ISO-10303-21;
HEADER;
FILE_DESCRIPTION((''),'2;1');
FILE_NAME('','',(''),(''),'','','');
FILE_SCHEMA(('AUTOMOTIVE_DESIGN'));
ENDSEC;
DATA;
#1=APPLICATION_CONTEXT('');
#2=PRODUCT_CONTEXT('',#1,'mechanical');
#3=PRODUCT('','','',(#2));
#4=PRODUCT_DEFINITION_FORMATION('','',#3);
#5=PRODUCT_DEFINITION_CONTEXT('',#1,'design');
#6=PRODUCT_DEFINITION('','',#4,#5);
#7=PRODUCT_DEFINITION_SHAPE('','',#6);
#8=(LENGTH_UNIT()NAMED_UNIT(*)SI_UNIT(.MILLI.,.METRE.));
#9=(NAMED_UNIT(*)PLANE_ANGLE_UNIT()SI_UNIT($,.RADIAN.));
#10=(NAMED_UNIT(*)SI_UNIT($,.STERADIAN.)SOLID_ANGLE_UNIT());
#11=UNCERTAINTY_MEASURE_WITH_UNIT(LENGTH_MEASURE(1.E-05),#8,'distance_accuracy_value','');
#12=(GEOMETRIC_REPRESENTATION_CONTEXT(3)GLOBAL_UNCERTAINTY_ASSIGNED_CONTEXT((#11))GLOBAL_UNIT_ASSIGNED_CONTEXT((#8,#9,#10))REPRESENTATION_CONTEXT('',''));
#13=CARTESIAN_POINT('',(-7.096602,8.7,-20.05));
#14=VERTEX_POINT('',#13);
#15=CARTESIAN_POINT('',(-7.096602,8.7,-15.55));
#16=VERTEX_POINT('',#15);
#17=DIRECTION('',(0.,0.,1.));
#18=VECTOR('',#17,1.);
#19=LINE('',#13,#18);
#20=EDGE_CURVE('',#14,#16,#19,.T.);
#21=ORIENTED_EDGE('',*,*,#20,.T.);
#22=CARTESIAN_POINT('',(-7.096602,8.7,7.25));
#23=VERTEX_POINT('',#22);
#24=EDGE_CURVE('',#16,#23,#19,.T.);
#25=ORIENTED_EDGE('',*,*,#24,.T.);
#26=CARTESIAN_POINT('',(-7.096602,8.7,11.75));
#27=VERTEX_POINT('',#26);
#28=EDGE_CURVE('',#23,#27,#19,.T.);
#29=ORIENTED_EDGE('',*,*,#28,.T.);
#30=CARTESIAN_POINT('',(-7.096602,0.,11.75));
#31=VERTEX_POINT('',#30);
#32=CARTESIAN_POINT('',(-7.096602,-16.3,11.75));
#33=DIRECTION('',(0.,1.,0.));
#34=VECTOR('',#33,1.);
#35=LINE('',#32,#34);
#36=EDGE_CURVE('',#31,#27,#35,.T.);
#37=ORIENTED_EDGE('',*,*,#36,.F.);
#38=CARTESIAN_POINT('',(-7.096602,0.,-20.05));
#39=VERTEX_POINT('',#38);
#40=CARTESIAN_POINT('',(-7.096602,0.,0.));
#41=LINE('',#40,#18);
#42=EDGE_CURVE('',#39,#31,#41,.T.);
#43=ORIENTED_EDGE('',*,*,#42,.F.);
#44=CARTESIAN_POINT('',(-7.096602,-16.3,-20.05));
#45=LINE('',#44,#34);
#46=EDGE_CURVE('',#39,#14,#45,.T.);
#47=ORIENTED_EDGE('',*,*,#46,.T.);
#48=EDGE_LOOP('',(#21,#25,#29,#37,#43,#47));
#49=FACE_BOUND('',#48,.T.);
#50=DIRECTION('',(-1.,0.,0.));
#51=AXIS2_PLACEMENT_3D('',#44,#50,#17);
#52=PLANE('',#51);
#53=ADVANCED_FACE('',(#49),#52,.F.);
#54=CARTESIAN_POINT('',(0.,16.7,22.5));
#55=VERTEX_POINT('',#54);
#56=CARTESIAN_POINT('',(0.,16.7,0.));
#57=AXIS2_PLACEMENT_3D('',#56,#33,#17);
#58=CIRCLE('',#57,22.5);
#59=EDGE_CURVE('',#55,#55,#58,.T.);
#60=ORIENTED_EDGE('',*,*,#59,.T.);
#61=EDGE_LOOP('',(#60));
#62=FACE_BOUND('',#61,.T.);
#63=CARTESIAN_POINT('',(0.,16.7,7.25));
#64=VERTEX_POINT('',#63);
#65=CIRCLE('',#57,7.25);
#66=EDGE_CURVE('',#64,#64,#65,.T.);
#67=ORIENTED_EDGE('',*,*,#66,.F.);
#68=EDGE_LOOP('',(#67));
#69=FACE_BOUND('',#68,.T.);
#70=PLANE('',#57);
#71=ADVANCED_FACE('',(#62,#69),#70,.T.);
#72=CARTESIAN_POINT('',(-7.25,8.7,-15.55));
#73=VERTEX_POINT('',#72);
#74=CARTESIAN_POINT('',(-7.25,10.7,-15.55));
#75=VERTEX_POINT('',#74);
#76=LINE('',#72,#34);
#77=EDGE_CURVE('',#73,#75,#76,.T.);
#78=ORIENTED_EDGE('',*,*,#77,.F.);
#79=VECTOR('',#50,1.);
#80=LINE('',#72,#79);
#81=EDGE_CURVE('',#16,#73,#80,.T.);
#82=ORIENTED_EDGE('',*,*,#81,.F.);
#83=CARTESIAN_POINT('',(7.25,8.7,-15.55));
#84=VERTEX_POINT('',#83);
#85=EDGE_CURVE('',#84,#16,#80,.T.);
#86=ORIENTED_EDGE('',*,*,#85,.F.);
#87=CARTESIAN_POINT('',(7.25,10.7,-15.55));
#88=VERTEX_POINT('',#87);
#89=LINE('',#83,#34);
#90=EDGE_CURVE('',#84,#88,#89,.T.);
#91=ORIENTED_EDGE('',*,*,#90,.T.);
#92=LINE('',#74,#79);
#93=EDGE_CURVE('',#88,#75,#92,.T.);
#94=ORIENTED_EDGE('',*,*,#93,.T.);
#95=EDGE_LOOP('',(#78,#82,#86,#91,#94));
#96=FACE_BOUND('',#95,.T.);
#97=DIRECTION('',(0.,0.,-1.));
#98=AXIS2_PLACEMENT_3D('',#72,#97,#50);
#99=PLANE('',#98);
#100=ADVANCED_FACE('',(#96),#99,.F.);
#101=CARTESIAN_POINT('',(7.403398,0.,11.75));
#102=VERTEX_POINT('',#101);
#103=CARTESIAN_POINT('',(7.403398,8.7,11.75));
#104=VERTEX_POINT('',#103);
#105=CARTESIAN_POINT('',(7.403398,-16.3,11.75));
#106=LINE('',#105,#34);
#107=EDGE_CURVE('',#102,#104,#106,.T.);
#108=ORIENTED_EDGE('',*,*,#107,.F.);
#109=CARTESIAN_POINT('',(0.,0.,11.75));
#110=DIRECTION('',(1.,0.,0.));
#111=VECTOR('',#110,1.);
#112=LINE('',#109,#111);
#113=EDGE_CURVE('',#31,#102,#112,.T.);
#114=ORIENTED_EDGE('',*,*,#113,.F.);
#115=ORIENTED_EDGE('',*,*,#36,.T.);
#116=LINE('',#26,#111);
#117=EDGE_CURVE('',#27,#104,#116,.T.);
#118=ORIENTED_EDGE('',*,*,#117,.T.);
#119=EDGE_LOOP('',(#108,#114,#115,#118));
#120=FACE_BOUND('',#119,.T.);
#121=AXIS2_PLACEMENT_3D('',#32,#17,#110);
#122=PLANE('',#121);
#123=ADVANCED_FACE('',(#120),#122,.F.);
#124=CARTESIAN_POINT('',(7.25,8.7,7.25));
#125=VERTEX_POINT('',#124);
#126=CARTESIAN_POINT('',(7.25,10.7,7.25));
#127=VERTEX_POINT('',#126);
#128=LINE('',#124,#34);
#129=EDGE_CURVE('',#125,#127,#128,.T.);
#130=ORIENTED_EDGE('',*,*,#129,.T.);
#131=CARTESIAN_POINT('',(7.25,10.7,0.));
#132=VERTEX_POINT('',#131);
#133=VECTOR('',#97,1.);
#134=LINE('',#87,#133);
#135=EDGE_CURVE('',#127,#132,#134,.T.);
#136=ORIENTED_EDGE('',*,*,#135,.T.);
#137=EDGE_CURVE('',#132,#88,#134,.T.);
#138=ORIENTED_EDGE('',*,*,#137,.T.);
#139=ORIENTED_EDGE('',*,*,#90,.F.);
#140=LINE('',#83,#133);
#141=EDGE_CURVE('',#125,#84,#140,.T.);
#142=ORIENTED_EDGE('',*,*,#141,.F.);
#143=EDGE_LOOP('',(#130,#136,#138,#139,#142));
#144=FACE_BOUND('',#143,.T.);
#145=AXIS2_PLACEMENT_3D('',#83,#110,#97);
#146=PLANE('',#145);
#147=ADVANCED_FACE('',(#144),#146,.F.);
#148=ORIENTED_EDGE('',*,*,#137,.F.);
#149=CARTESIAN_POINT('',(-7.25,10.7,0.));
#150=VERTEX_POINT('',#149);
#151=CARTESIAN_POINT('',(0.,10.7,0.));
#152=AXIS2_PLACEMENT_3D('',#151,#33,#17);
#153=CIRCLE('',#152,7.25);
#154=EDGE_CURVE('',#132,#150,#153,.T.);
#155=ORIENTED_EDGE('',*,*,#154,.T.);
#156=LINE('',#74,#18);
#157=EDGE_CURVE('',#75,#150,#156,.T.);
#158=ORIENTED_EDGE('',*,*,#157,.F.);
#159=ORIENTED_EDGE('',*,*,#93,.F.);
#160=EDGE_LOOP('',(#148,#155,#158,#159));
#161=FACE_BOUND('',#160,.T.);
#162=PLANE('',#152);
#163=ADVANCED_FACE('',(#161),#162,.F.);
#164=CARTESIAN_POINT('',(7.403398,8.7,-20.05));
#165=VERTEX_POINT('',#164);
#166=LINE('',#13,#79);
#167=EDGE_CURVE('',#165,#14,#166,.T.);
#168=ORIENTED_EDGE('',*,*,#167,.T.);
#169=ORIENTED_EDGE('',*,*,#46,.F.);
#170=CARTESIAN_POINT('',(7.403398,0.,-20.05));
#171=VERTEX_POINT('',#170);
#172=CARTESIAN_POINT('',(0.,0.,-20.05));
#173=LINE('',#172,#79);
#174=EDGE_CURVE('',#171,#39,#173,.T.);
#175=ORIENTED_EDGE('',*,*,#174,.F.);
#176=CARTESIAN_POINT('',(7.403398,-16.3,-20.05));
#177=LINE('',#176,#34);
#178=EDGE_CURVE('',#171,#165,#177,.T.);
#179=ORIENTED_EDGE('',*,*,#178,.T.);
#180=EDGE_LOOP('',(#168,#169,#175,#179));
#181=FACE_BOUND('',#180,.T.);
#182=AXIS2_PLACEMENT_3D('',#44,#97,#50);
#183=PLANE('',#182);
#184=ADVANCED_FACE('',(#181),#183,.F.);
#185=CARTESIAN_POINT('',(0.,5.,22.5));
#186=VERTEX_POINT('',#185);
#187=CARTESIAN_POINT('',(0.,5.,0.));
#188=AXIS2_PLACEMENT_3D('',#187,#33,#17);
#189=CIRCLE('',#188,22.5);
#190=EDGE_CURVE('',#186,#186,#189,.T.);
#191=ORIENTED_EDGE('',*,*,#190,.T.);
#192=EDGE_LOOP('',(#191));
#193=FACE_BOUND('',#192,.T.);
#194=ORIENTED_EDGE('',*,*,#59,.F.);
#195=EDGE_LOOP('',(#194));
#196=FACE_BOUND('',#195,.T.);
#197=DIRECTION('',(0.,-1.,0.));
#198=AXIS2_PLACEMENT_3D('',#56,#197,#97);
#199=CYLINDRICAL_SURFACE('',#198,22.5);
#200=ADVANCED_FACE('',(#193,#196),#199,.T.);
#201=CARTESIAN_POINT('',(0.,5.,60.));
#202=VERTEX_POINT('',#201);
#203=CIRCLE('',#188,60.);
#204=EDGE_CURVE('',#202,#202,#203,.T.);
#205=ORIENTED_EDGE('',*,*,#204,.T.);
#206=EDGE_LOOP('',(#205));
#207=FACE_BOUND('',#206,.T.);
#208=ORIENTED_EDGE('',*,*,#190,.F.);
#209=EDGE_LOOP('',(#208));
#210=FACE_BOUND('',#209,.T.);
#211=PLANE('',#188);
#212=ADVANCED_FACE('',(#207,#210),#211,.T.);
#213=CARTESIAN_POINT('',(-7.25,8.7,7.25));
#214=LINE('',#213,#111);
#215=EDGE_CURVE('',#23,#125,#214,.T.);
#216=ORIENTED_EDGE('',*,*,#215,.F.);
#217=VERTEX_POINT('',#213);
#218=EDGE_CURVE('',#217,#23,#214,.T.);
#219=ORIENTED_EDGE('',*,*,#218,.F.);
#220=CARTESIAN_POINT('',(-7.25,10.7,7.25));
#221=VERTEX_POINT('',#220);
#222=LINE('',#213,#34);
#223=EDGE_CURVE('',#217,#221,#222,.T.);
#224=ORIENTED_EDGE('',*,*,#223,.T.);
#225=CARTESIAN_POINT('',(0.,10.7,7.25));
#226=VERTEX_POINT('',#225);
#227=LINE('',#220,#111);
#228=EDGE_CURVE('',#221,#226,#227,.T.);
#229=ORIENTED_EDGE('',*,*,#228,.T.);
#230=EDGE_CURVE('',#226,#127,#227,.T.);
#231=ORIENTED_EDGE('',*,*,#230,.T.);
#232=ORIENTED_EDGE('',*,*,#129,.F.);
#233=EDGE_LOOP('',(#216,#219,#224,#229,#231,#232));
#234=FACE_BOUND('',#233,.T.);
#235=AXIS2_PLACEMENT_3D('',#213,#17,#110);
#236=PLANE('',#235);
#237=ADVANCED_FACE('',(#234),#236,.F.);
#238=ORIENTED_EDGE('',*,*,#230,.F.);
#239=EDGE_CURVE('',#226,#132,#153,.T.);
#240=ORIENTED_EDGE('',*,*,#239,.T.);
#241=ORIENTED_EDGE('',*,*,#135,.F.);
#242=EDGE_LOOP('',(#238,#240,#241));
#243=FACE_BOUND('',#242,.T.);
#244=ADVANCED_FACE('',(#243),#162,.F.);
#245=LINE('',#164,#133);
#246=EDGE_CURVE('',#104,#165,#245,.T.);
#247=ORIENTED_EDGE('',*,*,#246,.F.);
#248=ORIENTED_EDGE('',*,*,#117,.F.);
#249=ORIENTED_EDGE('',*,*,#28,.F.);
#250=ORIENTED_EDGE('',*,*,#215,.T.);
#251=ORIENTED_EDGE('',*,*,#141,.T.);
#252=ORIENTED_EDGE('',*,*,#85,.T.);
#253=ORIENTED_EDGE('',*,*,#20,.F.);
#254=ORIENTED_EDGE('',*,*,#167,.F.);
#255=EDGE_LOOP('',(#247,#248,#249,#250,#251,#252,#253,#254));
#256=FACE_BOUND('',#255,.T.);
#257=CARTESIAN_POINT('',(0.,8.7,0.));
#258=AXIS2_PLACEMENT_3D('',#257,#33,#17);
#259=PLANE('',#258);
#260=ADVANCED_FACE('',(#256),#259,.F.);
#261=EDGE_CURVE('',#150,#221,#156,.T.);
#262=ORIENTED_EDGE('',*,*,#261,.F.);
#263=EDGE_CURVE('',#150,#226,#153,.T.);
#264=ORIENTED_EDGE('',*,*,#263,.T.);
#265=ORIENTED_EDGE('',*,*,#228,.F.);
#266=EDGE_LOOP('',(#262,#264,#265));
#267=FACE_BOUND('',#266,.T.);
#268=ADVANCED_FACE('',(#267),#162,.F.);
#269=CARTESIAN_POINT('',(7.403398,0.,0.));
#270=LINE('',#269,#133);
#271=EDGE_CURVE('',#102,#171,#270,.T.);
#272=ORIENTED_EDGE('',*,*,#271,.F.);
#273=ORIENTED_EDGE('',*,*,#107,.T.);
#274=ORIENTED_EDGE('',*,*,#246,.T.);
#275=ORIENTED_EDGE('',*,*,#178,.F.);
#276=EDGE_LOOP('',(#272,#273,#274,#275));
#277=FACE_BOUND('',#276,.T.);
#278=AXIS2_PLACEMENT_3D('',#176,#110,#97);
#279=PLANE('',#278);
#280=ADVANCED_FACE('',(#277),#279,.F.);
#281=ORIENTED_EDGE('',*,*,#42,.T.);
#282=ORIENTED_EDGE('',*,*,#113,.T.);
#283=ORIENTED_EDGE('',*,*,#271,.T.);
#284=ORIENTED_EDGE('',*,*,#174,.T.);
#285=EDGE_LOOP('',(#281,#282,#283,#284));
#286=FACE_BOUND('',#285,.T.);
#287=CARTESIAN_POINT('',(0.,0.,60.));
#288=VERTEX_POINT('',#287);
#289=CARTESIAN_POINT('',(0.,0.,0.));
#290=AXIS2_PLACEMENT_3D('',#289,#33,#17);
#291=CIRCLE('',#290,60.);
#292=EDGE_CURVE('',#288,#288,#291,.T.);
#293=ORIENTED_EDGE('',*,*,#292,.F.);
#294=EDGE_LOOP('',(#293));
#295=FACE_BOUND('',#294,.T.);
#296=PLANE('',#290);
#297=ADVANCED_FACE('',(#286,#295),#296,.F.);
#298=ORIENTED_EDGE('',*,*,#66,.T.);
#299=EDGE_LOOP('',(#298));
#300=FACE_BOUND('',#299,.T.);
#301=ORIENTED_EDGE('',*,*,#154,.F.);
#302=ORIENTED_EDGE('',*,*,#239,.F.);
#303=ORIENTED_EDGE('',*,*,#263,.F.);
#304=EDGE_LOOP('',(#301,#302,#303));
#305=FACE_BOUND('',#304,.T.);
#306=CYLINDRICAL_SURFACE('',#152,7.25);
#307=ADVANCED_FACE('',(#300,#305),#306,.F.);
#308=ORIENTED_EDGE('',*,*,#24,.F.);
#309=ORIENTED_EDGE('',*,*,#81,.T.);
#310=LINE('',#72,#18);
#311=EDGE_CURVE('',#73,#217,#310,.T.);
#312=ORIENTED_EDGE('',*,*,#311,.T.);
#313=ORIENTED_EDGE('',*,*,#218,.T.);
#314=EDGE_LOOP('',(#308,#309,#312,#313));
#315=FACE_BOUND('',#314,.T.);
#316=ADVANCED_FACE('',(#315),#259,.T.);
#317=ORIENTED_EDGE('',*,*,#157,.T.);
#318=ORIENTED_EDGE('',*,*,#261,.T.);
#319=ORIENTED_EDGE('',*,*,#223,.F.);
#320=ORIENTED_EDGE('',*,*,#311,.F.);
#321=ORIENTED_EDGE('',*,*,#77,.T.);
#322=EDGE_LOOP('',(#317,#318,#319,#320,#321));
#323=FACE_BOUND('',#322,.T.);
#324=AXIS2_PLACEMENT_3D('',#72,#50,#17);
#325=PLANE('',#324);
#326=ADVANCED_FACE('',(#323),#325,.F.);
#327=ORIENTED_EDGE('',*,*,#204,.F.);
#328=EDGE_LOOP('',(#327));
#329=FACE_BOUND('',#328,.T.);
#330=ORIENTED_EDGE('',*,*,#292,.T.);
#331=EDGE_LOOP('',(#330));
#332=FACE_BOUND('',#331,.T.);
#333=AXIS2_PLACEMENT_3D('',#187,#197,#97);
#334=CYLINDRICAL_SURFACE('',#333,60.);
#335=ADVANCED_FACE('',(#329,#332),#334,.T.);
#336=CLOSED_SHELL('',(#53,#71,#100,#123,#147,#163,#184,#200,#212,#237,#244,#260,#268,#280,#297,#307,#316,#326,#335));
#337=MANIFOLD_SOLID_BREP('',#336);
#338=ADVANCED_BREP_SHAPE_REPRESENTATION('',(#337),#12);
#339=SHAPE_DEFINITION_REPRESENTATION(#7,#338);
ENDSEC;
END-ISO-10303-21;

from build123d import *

# Parameters (mm, degrees)
SKETCH1_R           = 60
BOSS_EXTRUDE1_DEPTH = 5
SKETCH2_R           = 22.5
BOSS_EXTRUDE3_DEPTH = 11.7
SKETCH6_R           = 7.25
CUT_EXTRUDE4_DEPTH  = 6
SKETCH7_W           = 14.5
SKETCH7_H           = 22.8
CUT_EXTRUDE5_DEPTH  = 2
SKETCH9_W           = 14.5
SKETCH9_H           = 31.8
CUT_EXTRUDE6_DEPTH  = 25


with BuildPart() as part:
    # Sketch1 → Boss-Extrude1 (new body)
    with BuildSketch(Plane(origin=(0, 0, 0), x_dir=(1, 0, 0), z_dir=(0, 1, 0))):
        with Locations(Location((0, 0, 0), (0, 0, 270))):
            Circle(SKETCH1_R)
    extrude(amount=BOSS_EXTRUDE1_DEPTH)

    # Sketch2 → Boss-Extrude3 (add)
    with BuildSketch(Plane(origin=(0, 5, 0), x_dir=(1, 0, 0), z_dir=(0, 1, 0))):
        with Locations(Location((0, 0, 0), (0, 0, 270))):
            Circle(SKETCH2_R)
    extrude(amount=BOSS_EXTRUDE3_DEPTH)

    # Sketch6 → Cut-Extrude4 (cut)
    with BuildSketch(Plane(origin=(0, 16.7, 0), x_dir=(1, 0, 0), z_dir=(0, 1, 0))):
        with Locations(Location((0, 0, 0), (0, 0, 270))):
            Circle(SKETCH6_R)
    extrude(amount=-CUT_EXTRUDE4_DEPTH, mode=Mode.SUBTRACT)

    # Sketch7 → Cut-Extrude5 (cut)
    with BuildSketch(Plane(origin=(0, 10.7, 0), x_dir=(1, 0, 0), z_dir=(0, 1, 0))):
        with Locations((0, 4.15)):
            Rectangle(SKETCH7_W, SKETCH7_H)
    extrude(amount=-CUT_EXTRUDE5_DEPTH, mode=Mode.SUBTRACT)

    # Sketch9 → Cut-Extrude6 (cut)
    with BuildSketch(Plane(origin=(0, 8.7, 0), x_dir=(1, 0, 0), z_dir=(0, 1, 0))):
        with Locations((0.153398413, 4.15)):
            Rectangle(SKETCH9_W, SKETCH9_H)
    extrude(amount=-CUT_EXTRUDE6_DEPTH, mode=Mode.SUBTRACT)


solid = part.part
